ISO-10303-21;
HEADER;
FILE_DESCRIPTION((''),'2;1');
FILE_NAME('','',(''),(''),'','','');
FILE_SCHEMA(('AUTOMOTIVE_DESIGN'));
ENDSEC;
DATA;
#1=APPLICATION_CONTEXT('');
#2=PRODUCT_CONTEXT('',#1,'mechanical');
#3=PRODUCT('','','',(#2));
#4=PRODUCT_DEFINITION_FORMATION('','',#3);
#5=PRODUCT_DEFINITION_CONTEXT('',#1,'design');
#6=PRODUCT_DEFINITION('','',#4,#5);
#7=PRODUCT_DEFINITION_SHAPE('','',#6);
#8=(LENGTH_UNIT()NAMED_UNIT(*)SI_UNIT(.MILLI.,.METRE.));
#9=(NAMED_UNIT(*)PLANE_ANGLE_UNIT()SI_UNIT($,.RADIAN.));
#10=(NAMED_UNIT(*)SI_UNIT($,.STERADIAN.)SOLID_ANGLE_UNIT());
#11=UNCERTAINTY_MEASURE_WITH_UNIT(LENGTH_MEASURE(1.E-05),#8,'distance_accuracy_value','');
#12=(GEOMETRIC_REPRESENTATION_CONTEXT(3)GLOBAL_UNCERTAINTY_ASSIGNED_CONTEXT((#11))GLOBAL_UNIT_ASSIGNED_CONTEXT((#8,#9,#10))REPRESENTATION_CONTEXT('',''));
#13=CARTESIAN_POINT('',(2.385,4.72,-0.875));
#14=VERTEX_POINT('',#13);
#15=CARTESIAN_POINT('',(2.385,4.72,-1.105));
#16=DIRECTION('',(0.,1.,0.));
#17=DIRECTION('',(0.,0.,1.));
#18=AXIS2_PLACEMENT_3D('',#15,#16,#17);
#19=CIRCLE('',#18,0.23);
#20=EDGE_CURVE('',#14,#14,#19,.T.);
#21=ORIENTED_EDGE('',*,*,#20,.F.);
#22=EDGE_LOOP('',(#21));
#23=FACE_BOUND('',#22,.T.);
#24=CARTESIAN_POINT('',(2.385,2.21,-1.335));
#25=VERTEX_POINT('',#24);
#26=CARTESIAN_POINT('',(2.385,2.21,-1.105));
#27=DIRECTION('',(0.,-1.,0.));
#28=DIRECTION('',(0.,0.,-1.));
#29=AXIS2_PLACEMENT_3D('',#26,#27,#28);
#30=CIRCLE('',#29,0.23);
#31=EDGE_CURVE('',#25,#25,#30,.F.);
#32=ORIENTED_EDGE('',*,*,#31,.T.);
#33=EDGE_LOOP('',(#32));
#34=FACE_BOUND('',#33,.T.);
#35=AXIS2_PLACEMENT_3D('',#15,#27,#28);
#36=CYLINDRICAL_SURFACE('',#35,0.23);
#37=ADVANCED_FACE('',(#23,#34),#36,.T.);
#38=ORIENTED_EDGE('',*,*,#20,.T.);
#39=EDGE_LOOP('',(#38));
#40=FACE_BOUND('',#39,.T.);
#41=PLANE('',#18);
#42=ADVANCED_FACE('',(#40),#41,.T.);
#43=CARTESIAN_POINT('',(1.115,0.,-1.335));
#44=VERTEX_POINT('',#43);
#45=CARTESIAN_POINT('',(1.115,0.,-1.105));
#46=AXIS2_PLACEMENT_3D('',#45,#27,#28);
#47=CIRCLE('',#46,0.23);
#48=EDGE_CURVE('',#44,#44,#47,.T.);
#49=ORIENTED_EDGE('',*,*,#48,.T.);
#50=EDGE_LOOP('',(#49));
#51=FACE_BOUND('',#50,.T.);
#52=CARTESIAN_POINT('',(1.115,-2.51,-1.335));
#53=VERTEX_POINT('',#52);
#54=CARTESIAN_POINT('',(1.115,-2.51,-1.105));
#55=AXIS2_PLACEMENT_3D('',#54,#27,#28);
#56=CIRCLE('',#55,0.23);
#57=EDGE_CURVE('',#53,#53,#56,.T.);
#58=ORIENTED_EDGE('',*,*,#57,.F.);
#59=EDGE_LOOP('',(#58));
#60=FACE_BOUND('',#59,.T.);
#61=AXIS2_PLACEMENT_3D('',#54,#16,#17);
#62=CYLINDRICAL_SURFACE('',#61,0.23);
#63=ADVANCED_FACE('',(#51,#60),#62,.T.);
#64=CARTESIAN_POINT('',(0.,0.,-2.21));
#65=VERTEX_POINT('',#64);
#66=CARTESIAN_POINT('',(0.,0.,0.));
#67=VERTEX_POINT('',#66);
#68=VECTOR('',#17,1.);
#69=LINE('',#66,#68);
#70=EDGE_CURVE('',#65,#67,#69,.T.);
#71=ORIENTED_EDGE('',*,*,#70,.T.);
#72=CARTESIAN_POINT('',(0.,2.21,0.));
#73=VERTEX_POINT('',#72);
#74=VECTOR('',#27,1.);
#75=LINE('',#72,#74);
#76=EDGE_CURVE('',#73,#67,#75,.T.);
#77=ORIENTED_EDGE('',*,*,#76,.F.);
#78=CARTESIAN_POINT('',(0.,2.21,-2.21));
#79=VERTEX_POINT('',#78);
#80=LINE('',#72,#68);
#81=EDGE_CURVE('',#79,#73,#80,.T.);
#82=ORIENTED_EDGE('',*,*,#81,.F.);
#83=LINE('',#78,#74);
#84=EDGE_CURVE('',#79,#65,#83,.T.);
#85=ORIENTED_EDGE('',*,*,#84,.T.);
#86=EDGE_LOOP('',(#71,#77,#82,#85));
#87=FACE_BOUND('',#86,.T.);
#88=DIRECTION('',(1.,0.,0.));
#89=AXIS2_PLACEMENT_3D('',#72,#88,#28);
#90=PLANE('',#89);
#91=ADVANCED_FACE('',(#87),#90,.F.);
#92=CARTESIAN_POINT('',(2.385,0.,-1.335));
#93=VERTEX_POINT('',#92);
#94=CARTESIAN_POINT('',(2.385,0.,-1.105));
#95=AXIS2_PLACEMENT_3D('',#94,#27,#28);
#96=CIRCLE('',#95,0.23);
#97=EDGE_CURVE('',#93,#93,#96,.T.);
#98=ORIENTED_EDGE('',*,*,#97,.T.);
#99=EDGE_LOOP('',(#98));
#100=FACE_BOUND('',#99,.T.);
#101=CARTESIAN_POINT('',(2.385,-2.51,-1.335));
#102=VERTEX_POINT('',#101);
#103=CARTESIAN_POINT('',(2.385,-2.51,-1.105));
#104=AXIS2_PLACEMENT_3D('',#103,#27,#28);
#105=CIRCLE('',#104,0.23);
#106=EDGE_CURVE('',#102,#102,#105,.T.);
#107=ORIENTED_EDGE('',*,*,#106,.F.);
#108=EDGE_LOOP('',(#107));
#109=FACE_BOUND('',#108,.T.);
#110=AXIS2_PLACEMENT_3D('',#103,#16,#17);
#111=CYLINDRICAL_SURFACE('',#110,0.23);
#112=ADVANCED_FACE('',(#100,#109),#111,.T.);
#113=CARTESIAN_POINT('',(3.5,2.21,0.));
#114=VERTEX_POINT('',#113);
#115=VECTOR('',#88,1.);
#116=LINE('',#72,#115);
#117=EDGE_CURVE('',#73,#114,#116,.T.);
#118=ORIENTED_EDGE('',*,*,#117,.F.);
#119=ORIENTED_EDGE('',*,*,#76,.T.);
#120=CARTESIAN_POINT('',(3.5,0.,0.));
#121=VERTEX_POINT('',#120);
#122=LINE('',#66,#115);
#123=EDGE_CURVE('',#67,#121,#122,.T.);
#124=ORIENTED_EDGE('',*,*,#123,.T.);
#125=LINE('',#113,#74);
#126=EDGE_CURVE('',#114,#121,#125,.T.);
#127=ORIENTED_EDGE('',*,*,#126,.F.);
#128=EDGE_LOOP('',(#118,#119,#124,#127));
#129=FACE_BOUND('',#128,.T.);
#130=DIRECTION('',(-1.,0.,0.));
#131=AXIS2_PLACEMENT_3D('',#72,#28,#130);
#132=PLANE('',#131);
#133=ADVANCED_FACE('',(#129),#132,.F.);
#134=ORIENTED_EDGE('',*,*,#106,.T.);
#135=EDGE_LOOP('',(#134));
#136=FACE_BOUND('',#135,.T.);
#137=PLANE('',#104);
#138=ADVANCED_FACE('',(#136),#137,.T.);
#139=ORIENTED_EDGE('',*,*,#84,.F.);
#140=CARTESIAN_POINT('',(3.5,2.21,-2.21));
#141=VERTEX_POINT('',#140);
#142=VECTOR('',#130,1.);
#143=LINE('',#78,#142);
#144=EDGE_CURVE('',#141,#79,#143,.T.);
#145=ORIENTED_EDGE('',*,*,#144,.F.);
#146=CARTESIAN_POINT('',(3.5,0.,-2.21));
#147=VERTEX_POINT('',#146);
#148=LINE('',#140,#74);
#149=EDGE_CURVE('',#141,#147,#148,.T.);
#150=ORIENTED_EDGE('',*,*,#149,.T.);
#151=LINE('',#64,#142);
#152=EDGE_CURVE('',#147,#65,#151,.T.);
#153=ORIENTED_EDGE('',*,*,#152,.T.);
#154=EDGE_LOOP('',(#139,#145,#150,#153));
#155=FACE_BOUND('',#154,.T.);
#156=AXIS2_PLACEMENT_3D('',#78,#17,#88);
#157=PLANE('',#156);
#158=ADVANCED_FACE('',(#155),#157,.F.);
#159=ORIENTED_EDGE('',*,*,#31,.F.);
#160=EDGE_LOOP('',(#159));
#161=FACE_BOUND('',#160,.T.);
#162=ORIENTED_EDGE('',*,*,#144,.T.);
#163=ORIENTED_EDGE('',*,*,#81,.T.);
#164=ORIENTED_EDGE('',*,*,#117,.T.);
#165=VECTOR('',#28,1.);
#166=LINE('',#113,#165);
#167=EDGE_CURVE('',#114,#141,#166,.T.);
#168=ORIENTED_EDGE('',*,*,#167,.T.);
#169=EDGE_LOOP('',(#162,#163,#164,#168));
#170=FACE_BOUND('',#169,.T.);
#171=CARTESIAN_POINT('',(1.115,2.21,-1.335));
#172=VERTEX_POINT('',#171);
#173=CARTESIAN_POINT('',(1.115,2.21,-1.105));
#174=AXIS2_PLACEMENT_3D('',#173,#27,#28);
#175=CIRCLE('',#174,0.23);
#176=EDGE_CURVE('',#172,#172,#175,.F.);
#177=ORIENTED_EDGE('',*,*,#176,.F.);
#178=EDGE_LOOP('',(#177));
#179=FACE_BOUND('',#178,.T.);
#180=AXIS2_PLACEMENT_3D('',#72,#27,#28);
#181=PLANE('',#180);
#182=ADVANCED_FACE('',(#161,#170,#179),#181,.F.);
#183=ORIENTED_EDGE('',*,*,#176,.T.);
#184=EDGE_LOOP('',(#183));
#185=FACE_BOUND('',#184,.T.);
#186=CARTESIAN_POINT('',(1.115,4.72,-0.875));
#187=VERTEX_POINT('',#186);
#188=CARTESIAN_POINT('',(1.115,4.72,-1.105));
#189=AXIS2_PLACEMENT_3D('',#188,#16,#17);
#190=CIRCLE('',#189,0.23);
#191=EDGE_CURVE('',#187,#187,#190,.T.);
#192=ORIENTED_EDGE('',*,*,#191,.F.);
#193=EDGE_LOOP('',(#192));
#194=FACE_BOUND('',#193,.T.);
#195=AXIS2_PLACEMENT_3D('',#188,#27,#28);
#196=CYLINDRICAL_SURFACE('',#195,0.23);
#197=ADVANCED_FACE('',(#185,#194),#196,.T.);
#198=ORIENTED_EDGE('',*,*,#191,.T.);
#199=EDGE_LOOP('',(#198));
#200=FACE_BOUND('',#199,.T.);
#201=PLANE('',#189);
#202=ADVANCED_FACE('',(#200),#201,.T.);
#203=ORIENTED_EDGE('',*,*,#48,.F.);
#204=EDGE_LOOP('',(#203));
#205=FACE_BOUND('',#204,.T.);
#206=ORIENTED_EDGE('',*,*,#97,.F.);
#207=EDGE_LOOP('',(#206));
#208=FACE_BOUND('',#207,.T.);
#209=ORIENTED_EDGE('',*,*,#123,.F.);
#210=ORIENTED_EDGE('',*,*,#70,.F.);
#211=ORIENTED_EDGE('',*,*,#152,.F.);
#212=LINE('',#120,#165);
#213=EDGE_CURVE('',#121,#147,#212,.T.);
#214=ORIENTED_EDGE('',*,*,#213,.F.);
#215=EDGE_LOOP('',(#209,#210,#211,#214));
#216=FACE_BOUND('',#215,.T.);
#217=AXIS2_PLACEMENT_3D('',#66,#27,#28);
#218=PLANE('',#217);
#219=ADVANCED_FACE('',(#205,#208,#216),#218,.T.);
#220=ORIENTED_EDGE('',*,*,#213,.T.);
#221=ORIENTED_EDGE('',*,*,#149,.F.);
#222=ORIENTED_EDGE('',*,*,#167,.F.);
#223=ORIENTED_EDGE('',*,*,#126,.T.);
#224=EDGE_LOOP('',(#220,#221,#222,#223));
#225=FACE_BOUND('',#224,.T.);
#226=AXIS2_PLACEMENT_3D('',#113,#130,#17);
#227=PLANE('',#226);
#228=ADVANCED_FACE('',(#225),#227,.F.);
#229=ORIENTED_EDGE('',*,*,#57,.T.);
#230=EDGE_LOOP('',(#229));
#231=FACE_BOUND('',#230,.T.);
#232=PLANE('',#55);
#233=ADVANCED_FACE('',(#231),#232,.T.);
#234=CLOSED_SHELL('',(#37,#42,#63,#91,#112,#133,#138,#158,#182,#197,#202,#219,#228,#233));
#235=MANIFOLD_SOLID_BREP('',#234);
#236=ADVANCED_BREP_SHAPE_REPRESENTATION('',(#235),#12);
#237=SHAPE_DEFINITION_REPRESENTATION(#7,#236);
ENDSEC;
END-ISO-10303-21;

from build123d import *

# Parameters (mm, degrees)
SKETCH1_W           = 3.5
SKETCH1_H           = 2.21
BOSS_EXTRUDE1_DEPTH = 2.21
SKETCH2_R           = 0.23
BOSS_EXTRUDE2_DEPTH = 2.51
BOSS_EXTRUDE3_START = 2.51
SKETCH3_R           = 0.23
BOSS_EXTRUDE3_DEPTH = 2.51


with BuildPart() as part:
    # Sketch1 → Boss-Extrude1 (new body)
    with BuildSketch(Plane(origin=(0, 0, 0), x_dir=(1, 0, 0), z_dir=(0, 1, 0))):
        with Locations((1.75, 1.105)):
            Rectangle(SKETCH1_W, SKETCH1_H)
    extrude(amount=BOSS_EXTRUDE1_DEPTH)

    # Sketch2 → Boss-Extrude2 (add)
    with BuildSketch(Plane.XZ):
        with Locations(Location((1.115, -1.105, 0), (0, 0, 270))):
            Circle(SKETCH2_R)
        with Locations(Location((2.385, -1.105, 0), (0, 0, 270))):
            Circle(SKETCH2_R)
    extrude(amount=BOSS_EXTRUDE2_DEPTH)

    # Sketch3 → Boss-Extrude3 (add)
    with BuildSketch(Plane(origin=(0, 2.21, 0), x_dir=(1, 0, 0), z_dir=(0, 1, 0)).offset(BOSS_EXTRUDE3_START)):
        with Locations(Location((2.385, 1.105, 0), (0, 0, 90))):
            Circle(SKETCH3_R)
        with Locations(Location((1.115, 1.105, 0), (0, 0, 90))):
            Circle(SKETCH3_R)
    extrude(amount=-BOSS_EXTRUDE3_DEPTH)


solid = part.part
